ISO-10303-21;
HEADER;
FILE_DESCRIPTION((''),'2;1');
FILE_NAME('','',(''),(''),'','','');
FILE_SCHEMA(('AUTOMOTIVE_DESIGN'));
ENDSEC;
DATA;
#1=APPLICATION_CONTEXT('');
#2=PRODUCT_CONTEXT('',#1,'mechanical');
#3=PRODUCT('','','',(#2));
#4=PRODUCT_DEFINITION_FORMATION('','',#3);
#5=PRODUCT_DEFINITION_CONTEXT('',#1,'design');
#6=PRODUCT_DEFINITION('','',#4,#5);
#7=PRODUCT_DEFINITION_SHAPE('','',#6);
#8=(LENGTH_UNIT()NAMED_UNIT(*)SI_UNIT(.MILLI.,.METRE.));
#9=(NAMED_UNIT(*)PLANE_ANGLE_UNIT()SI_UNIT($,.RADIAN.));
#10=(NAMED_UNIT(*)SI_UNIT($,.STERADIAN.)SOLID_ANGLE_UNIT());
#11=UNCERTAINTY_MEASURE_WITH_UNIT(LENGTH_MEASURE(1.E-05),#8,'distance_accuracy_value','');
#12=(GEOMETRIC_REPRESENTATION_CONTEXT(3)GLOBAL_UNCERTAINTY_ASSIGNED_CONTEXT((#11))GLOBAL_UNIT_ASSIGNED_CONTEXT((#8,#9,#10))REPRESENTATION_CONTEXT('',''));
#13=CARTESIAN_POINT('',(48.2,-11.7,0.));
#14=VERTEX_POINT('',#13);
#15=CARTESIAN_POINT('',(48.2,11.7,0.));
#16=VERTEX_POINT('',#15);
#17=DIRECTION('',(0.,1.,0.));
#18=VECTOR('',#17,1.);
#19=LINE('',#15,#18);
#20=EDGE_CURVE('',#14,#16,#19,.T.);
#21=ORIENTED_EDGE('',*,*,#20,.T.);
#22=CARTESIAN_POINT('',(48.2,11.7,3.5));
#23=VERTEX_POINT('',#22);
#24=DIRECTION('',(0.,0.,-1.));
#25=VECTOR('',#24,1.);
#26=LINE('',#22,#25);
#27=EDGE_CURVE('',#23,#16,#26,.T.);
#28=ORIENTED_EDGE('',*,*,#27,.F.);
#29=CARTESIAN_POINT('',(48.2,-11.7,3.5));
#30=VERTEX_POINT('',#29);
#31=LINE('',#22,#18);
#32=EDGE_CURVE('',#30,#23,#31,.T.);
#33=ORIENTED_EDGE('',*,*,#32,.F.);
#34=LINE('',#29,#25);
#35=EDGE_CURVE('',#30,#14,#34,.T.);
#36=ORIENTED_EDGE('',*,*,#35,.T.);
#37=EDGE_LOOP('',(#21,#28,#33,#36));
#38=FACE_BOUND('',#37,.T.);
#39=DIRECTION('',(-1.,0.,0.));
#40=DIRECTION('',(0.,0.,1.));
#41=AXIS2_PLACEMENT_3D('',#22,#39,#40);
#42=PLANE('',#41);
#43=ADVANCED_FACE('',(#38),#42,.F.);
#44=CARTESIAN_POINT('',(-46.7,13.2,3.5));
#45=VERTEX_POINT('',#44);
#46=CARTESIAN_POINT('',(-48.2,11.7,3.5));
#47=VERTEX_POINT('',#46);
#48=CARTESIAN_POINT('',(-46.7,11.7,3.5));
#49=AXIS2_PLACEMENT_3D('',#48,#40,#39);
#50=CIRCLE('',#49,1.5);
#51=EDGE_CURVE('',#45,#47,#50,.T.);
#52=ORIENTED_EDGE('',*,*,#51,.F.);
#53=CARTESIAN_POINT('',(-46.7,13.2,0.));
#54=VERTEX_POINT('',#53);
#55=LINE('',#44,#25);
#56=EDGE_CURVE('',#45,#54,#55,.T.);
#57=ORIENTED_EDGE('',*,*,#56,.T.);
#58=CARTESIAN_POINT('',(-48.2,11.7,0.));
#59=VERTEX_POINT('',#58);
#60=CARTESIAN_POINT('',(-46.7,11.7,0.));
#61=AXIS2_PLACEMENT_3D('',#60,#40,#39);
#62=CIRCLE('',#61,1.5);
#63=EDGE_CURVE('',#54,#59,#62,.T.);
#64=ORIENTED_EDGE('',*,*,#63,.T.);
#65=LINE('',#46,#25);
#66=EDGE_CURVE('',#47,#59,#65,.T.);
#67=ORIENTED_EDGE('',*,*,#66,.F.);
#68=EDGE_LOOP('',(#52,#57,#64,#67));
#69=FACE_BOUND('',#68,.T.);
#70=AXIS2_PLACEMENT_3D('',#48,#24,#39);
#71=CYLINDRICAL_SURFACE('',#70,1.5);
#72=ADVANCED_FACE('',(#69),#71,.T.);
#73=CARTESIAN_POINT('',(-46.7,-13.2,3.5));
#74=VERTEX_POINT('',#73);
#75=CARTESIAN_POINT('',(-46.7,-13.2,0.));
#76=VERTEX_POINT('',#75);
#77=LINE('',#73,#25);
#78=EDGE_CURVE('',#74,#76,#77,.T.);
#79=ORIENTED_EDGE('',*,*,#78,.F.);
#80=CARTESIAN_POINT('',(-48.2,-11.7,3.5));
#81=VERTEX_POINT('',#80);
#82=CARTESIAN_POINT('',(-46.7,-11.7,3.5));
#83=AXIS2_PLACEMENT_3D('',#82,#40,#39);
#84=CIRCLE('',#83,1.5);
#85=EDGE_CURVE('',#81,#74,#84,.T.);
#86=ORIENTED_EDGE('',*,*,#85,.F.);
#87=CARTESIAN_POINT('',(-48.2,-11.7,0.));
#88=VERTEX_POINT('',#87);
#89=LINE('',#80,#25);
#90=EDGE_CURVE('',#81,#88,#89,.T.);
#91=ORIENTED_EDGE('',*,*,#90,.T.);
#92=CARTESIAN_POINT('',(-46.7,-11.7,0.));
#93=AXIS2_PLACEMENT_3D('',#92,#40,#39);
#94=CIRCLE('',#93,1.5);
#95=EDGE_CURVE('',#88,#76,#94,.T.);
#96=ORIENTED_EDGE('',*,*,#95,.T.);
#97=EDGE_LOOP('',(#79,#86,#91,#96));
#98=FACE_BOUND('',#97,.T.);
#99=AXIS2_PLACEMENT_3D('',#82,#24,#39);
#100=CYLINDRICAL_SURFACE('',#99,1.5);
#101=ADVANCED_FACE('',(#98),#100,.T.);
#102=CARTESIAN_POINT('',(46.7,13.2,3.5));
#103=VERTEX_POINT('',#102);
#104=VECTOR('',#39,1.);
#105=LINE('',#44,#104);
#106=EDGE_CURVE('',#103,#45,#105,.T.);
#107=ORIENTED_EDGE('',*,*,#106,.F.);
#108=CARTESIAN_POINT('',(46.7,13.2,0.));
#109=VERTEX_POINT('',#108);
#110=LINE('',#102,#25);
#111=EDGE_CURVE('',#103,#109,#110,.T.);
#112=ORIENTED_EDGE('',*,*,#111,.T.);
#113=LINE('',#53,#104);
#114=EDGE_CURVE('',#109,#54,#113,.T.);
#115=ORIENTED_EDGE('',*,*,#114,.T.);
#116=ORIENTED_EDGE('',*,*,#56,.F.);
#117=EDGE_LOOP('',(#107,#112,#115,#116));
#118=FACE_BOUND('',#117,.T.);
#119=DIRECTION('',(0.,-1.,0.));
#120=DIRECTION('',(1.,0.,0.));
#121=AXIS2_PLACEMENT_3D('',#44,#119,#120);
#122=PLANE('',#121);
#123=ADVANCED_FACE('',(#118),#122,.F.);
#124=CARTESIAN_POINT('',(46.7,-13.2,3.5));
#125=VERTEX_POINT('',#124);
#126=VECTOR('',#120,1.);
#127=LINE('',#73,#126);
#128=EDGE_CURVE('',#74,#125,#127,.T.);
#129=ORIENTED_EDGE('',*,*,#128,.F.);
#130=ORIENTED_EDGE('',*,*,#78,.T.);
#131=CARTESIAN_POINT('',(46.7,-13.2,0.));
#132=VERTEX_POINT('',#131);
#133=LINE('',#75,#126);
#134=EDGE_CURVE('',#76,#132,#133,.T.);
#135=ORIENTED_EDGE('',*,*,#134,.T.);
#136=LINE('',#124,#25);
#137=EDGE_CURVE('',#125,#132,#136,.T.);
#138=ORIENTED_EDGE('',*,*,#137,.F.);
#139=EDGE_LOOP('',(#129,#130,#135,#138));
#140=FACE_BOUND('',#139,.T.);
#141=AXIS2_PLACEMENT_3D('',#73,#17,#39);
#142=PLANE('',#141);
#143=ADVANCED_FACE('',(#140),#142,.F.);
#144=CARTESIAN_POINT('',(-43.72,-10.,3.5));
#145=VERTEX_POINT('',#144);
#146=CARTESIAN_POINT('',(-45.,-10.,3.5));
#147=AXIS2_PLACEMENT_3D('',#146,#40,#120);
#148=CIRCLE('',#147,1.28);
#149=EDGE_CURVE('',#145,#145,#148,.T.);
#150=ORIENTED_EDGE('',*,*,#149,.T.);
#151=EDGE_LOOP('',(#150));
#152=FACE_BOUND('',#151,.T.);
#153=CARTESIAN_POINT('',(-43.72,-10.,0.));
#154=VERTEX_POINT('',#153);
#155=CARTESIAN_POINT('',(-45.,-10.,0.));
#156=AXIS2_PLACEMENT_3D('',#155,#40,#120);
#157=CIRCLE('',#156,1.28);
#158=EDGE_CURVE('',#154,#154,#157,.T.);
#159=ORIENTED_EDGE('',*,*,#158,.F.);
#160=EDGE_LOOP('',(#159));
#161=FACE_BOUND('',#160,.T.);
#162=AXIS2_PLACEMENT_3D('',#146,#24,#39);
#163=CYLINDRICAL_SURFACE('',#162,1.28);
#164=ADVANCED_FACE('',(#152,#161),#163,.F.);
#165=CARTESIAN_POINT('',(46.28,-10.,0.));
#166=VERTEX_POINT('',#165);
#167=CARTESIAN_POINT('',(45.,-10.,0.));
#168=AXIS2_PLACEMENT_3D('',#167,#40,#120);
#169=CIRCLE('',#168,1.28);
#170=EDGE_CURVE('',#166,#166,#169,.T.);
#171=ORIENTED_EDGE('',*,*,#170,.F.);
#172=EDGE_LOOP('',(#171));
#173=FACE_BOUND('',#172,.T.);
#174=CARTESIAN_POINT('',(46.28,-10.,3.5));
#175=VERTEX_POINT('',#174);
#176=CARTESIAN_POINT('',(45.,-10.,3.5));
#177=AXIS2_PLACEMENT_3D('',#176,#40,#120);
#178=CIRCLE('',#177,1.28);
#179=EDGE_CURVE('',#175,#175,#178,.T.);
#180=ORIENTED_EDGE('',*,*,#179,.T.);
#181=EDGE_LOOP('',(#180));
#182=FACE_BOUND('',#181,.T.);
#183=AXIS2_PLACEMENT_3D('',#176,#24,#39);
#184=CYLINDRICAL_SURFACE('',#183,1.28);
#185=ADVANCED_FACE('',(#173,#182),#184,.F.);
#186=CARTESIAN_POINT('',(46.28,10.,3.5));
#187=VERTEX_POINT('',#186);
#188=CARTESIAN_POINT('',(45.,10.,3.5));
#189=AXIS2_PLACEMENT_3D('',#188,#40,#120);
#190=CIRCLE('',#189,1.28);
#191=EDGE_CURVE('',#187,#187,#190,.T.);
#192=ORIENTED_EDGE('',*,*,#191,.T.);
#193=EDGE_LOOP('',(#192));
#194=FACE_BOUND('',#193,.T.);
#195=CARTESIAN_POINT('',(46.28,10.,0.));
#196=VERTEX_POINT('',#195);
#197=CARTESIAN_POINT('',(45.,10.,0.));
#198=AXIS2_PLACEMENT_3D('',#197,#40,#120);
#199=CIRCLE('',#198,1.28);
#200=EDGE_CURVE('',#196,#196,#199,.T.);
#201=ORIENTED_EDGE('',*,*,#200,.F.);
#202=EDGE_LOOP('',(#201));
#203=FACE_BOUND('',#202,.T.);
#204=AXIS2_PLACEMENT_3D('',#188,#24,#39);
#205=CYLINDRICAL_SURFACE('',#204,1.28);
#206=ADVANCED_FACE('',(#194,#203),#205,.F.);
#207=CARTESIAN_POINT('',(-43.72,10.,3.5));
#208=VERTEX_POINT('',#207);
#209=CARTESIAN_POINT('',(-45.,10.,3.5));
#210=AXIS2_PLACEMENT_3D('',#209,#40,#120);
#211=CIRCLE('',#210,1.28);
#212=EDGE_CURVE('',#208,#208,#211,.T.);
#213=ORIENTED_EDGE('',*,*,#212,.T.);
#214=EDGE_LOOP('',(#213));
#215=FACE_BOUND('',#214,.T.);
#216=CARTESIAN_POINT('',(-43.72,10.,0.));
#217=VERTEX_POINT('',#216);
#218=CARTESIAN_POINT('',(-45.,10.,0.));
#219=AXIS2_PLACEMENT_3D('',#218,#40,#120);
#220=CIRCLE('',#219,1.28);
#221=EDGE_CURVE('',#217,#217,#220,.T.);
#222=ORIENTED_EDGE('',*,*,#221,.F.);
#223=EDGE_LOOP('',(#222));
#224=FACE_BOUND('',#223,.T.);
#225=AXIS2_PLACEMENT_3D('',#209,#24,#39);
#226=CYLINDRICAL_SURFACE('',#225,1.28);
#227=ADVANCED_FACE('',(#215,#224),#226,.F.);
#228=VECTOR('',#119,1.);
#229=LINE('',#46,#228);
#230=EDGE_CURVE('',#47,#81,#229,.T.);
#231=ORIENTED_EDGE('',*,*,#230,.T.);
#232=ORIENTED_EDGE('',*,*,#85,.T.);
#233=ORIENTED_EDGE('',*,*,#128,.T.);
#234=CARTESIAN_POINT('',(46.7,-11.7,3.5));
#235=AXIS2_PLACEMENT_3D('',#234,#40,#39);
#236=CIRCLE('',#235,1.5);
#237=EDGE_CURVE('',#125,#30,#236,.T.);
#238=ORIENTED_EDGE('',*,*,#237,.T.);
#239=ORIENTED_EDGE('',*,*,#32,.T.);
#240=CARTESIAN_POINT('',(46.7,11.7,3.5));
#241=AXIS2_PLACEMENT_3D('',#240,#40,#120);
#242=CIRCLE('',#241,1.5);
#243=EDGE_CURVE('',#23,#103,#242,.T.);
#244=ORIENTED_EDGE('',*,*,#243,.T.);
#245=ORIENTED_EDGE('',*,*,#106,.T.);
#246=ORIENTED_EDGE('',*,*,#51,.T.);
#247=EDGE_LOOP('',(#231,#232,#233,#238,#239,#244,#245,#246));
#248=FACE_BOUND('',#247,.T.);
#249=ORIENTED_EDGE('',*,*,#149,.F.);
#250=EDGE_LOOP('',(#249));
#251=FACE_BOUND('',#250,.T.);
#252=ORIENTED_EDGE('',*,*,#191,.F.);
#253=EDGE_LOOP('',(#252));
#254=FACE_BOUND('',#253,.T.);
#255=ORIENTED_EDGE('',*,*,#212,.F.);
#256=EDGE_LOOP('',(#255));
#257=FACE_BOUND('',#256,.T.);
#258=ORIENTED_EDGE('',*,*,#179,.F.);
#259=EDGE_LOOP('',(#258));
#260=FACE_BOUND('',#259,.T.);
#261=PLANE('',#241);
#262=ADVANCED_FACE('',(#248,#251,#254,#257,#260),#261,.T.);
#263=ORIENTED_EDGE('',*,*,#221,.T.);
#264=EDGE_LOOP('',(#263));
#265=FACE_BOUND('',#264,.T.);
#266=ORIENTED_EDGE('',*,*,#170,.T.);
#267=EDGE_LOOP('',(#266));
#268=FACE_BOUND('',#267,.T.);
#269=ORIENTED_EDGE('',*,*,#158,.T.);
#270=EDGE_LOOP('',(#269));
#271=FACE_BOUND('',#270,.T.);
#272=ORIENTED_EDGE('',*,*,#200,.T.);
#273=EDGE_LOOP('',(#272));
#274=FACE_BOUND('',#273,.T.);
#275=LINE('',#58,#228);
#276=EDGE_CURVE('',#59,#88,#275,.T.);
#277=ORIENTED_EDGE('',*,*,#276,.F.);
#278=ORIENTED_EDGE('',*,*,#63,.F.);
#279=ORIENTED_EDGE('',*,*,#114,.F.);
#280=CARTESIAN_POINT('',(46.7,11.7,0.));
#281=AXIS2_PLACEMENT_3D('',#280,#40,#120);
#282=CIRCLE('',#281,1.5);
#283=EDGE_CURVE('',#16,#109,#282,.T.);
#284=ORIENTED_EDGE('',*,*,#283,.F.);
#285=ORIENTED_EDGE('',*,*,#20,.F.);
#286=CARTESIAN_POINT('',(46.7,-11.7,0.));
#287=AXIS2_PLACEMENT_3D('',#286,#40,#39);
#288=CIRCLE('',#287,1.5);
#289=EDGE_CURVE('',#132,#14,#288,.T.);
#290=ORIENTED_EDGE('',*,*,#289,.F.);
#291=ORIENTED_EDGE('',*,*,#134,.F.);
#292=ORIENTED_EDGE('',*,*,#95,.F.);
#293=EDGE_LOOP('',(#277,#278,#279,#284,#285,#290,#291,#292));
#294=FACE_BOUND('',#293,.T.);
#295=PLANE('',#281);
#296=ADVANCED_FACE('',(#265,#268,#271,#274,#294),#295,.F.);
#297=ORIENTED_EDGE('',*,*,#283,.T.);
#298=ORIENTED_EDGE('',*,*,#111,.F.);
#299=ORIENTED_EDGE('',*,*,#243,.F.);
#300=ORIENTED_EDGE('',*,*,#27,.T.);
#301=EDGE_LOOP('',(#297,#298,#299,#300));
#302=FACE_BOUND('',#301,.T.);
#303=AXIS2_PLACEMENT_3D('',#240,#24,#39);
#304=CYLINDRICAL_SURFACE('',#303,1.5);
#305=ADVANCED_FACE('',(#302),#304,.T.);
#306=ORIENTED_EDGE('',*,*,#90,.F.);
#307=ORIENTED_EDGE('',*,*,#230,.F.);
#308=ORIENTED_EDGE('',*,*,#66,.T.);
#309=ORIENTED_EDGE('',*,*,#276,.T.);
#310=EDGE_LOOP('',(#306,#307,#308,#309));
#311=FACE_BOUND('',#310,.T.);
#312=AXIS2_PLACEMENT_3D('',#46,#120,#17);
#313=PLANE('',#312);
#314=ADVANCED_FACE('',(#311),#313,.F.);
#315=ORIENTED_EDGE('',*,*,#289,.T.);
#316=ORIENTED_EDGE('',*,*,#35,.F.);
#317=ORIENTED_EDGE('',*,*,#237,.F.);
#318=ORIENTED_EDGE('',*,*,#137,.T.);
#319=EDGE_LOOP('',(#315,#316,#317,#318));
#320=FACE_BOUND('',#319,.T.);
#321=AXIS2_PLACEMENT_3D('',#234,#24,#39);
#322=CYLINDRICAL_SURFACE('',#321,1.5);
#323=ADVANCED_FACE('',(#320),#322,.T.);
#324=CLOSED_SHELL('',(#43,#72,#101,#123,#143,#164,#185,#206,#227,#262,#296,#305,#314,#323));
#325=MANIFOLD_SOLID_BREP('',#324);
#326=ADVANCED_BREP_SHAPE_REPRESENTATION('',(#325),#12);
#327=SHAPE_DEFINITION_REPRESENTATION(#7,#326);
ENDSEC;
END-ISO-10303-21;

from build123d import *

# Parameters (mm, degrees)
SKETCH_1_R      = 1.28
EXTRUDE_1_DEPTH = 3.5


with BuildPart() as part:
    # 草图1 → 凸台-拉伸1 (new body)
    with BuildSketch(Plane.XY):
        with BuildLine():
            Line((-46.7, 13.2), (46.7, 13.2))
            ThreePointArc((46.7, 13.2), (47.760660172, 12.760660172), (48.2, 11.7))
            Line((48.2, 11.7), (48.2, -11.7))
            ThreePointArc((48.2, -11.7), (47.760660172, -12.760660172), (46.7, -13.2))
            Line((46.7, -13.2), (-46.7, -13.2))
            ThreePointArc((-46.7, -13.2), (-47.760660172, -12.760660172), (-48.2, -11.7))
            Line((-48.2, -11.7), (-48.2, 11.7))
            ThreePointArc((-48.2, 11.7), (-47.760660172, 12.760660172), (-46.7, 13.2))
        make_face()
        with Locations((-45, 10)):
            Circle(SKETCH_1_R, mode=Mode.SUBTRACT)
        with Locations((45, 10)):
            Circle(SKETCH_1_R, mode=Mode.SUBTRACT)
        with Locations((45, -10)):
            Circle(SKETCH_1_R, mode=Mode.SUBTRACT)
        with Locations((-45, -10)):
            Circle(SKETCH_1_R, mode=Mode.SUBTRACT)
    extrude(amount=EXTRUDE_1_DEPTH)


solid = part.part
